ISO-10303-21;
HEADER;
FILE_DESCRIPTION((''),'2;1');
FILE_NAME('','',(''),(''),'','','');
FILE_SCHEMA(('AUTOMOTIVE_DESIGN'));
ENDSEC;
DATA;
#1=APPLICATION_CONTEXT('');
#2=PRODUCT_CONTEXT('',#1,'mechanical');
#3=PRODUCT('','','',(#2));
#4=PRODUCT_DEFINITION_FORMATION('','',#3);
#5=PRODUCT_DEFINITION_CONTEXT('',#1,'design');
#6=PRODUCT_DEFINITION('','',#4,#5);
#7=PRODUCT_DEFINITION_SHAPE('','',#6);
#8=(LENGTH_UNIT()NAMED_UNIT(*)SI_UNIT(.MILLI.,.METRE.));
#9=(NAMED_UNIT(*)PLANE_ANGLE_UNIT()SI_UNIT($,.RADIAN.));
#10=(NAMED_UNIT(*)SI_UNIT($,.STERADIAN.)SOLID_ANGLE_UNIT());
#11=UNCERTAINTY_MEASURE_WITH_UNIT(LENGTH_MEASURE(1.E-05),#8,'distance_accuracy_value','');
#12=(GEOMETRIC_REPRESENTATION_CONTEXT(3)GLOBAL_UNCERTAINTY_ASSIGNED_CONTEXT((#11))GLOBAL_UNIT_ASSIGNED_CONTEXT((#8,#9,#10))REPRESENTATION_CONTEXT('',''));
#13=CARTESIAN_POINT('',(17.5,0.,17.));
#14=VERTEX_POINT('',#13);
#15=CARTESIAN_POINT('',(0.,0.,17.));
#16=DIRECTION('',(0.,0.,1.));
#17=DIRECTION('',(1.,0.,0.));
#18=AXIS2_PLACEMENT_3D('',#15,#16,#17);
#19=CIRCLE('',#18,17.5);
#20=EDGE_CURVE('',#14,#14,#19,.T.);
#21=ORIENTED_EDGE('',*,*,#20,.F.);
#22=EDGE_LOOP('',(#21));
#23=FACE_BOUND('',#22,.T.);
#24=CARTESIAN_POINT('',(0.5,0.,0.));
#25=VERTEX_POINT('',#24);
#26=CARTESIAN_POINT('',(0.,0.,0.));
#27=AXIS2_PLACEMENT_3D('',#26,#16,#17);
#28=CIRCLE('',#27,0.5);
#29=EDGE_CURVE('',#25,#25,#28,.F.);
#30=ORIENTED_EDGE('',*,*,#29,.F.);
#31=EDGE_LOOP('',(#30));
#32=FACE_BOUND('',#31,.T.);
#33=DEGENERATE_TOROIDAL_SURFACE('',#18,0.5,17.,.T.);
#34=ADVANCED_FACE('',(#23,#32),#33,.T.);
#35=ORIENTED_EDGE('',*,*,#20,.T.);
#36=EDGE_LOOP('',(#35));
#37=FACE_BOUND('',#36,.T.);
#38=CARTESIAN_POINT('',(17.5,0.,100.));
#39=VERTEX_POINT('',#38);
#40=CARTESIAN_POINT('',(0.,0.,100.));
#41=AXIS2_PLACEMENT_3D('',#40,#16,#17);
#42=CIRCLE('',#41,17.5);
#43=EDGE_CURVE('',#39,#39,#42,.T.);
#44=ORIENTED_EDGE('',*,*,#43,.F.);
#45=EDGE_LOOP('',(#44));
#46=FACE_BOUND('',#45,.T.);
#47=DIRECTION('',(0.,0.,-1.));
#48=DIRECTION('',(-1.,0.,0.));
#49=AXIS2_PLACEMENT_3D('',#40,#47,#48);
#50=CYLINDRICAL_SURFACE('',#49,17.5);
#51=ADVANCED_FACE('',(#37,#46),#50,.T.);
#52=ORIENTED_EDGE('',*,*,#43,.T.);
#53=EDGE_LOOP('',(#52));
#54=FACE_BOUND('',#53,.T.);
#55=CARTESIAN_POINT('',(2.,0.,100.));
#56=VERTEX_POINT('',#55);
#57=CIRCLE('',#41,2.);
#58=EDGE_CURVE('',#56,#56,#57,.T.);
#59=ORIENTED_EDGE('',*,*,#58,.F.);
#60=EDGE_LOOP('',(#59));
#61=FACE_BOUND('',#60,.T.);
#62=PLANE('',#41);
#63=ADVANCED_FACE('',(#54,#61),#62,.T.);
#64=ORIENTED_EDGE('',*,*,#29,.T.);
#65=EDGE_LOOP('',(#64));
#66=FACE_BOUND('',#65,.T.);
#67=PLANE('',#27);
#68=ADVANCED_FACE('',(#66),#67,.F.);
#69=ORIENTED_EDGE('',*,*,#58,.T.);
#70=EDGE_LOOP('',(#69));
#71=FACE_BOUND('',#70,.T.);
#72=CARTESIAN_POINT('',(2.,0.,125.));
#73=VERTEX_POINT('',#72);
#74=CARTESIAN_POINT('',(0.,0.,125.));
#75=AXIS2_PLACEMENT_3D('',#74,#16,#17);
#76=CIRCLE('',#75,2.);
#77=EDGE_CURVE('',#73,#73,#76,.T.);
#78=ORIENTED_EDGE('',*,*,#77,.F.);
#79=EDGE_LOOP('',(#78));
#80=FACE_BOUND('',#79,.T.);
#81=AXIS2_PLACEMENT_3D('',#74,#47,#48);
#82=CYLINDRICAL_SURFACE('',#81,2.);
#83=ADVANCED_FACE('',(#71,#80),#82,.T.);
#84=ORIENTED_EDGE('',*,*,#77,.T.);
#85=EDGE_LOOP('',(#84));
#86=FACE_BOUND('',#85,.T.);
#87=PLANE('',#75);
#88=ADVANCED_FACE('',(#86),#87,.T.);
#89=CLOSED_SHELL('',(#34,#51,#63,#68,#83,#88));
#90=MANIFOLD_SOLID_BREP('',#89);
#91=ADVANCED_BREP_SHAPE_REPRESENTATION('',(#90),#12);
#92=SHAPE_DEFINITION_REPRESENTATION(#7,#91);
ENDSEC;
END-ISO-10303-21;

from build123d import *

# Parameters (mm, degrees)
ESQUISSE1_R        = 17.5
BOSS_EXTRU_1_DEPTH = 100
CONG_1_R           = 17
ESQUISSE2_R        = 2
BOSS_EXTRU_2_DEPTH = 25


with BuildPart() as part:
    # Esquisse1 → Boss.-Extru.1 (new body)
    with BuildSketch(Plane.XY):
        Circle(ESQUISSE1_R)
    extrude(amount=BOSS_EXTRU_1_DEPTH)

    # Congé1
    cong_1_edges = [part.edges().sort_by_distance(p)[0] for p in [
        (-17.5, 0, 0),
    ]]
    fillet(cong_1_edges, radius=CONG_1_R)

    # Esquisse2 → Boss.-Extru.2 (add)
    with BuildSketch(Plane.XY.offset(100)):
        Circle(ESQUISSE2_R)
    extrude(amount=BOSS_EXTRU_2_DEPTH)


solid = part.part
